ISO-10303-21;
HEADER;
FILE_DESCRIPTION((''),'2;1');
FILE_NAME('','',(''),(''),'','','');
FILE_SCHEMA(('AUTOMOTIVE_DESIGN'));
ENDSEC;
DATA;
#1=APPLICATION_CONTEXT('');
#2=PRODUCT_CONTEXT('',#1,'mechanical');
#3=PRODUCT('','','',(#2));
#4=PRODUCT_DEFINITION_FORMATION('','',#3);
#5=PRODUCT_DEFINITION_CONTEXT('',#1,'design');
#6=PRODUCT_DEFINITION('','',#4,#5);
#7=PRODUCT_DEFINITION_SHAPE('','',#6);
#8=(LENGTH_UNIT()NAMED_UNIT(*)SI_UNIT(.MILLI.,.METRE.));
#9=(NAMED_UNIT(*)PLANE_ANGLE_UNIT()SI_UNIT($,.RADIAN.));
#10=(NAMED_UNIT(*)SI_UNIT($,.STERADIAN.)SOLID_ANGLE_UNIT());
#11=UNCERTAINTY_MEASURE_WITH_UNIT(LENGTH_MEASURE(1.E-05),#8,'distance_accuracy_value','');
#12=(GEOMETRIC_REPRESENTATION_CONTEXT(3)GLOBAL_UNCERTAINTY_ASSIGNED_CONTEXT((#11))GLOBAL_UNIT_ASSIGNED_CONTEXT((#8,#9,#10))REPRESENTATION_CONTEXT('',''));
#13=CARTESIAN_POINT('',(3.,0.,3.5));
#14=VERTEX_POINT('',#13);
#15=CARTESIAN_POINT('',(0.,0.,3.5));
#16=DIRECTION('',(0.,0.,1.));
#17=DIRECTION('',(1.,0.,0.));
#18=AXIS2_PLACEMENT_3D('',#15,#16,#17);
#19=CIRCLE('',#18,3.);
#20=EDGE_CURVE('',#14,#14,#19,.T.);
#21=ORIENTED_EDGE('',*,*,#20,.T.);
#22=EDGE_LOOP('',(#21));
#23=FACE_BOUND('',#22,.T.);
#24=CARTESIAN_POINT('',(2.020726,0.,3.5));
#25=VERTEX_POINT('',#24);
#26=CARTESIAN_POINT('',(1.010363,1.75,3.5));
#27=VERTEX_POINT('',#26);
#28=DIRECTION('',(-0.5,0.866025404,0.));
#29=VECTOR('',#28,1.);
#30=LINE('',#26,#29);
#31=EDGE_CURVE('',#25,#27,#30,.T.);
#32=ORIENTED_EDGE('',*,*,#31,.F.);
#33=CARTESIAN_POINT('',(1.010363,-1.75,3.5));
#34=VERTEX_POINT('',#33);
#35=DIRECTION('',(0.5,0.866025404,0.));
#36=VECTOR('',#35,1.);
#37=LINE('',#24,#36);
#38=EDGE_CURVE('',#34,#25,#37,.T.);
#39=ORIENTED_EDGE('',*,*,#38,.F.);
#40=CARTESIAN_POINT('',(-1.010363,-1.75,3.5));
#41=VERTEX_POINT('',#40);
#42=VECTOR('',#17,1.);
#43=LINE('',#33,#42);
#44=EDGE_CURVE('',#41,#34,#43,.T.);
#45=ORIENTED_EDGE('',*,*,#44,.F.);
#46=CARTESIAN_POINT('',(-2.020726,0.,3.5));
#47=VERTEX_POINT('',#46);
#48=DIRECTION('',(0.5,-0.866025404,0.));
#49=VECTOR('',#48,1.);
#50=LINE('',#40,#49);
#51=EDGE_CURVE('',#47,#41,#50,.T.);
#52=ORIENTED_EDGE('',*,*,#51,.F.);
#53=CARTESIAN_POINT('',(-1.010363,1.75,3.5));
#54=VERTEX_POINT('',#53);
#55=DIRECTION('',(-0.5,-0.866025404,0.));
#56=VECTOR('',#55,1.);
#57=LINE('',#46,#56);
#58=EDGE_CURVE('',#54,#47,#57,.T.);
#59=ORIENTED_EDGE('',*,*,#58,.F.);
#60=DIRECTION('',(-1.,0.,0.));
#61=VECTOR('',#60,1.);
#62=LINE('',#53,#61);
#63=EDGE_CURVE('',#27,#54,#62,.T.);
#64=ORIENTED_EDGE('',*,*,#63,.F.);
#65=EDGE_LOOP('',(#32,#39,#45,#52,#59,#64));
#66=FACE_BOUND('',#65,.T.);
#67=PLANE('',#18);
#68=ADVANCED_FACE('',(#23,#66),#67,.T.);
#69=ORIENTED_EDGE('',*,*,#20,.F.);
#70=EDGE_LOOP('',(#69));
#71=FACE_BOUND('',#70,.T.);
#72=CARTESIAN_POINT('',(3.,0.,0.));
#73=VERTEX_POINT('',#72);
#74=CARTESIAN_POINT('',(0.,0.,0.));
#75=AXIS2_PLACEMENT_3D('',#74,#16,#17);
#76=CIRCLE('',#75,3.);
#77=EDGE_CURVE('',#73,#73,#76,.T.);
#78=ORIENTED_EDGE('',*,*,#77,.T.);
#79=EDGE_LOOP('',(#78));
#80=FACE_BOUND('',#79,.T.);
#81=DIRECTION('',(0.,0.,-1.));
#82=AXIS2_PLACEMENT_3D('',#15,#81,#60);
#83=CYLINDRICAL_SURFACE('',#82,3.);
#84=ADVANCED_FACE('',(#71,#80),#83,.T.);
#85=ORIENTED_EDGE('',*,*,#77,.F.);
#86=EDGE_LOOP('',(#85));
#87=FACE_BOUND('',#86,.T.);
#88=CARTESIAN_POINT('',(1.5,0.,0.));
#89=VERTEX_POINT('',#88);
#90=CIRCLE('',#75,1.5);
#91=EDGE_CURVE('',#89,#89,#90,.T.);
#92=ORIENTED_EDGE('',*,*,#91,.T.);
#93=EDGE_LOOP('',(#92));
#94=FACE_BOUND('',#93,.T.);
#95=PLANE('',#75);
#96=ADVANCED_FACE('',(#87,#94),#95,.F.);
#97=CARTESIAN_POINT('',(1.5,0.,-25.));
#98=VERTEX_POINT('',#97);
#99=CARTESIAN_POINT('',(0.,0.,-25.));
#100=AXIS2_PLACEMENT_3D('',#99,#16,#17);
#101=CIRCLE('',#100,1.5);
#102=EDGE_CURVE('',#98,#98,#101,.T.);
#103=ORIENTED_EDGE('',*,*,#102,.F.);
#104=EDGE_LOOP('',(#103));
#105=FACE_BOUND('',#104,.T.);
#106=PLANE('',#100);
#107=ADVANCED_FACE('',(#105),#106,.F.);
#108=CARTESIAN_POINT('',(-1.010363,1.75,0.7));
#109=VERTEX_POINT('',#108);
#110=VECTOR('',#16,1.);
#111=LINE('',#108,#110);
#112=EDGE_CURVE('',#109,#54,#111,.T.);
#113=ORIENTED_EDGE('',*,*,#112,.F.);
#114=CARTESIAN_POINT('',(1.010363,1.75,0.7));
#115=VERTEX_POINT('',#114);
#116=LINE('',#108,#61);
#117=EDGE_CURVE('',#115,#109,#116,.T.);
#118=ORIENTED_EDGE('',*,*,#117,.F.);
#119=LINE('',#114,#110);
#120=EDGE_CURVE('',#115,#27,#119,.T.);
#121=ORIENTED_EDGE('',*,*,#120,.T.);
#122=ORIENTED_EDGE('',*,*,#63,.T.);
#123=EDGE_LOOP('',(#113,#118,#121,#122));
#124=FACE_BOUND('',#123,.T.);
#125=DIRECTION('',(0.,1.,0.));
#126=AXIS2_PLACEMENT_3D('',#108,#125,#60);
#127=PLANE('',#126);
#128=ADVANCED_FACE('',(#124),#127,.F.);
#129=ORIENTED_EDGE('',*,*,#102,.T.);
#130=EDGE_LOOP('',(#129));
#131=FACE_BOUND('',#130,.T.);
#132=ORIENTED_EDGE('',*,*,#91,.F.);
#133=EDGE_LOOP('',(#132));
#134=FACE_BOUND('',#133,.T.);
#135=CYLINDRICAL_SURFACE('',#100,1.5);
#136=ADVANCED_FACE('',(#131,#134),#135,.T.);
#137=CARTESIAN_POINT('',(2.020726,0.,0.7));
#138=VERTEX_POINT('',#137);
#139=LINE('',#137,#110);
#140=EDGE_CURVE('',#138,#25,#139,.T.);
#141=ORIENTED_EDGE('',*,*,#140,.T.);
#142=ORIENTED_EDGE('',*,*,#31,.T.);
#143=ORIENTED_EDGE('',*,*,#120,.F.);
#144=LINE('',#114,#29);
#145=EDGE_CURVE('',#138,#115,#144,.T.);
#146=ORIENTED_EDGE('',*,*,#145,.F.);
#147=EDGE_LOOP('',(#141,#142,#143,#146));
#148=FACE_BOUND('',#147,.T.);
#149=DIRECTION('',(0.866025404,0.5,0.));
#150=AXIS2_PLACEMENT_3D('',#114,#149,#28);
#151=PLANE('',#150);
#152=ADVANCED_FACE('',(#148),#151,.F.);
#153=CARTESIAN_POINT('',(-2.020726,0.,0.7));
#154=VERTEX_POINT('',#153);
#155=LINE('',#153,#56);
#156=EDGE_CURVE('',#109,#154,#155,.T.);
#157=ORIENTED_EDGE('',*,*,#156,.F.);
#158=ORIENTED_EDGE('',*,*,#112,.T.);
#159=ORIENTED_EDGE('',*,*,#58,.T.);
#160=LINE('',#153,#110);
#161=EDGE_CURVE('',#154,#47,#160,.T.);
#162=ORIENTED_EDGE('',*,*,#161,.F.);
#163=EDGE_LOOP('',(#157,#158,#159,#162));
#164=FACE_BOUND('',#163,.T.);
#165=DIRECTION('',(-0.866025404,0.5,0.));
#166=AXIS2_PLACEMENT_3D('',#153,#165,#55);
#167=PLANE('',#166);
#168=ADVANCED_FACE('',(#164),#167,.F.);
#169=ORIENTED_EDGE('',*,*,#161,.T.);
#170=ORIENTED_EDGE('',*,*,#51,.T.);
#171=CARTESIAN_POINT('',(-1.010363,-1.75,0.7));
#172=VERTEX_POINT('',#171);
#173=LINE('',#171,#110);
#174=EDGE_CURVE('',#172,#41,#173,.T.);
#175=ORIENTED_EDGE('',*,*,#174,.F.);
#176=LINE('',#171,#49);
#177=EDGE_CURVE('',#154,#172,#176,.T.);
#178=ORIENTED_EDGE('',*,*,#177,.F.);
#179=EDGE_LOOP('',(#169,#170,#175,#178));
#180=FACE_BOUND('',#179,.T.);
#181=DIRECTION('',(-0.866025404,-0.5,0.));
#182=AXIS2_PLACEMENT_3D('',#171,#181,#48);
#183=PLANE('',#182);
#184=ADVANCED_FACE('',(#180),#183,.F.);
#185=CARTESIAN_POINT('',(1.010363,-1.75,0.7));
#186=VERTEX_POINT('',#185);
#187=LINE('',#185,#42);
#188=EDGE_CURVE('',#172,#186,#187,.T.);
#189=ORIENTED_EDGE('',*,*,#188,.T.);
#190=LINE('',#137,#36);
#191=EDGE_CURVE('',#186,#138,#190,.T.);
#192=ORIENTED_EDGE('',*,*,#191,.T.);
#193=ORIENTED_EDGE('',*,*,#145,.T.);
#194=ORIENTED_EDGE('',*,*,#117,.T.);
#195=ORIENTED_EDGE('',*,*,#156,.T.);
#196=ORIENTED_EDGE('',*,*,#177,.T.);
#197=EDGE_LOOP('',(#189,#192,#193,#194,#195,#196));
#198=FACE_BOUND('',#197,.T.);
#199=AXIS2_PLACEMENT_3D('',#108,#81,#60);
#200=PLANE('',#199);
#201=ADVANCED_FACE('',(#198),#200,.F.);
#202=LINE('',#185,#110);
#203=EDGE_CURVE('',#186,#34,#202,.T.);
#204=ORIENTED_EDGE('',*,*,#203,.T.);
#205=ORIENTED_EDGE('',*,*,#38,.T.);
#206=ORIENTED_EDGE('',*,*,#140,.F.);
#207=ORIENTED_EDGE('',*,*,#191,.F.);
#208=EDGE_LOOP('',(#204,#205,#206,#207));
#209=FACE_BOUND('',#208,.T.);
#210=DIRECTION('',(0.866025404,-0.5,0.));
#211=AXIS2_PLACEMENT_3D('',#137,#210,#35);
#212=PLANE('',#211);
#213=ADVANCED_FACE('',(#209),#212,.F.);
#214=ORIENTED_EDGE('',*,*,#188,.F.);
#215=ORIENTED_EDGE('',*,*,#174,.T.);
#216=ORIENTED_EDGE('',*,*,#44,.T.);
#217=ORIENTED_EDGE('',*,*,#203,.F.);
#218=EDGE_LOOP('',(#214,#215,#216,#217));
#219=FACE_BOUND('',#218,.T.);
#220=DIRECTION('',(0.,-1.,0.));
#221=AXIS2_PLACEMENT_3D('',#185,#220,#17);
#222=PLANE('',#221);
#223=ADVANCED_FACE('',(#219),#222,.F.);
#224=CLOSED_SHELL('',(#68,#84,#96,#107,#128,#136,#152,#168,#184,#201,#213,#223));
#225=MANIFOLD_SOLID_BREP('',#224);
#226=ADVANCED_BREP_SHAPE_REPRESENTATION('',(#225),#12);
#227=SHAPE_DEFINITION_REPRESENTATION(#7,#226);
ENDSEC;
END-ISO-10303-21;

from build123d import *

# Parameters (mm, degrees)
SKETCH1_R                   = 3
HEAD_BOSS_EXTRUDE1_DEPTH    = 3.5
HEAD_HEX_CUT_EXTRUDE1_DEPTH = 2.8
SKETCH2_R                   = 1.5
SCREW_BOSS_EXTRUDE2_DEPTH   = 25


with BuildPart() as part:
    # Sketch1 → Head Boss-Extrude1 (new body)
    with BuildSketch(Plane.XY):
        Circle(SKETCH1_R)
    extrude(amount=HEAD_BOSS_EXTRUDE1_DEPTH)

    # Sketch3 → Head Hex Cut-Extrude1 (cut)
    with BuildSketch(Plane.XY.offset(3.5)):
        Polygon((-1.010362971, 1.75), (1.010362971, 1.75), (2.020725942, 0), (1.010362971, -1.75), (-1.010362971, -1.75), (-2.020725942, 0), align=None)
    extrude(amount=-HEAD_HEX_CUT_EXTRUDE1_DEPTH, mode=Mode.SUBTRACT)

    # Sketch2 → Screw Boss-Extrude2 (add)
    with BuildSketch(Plane.XY):
        Circle(SKETCH2_R)
    extrude(amount=-SCREW_BOSS_EXTRUDE2_DEPTH)


solid = part.part
